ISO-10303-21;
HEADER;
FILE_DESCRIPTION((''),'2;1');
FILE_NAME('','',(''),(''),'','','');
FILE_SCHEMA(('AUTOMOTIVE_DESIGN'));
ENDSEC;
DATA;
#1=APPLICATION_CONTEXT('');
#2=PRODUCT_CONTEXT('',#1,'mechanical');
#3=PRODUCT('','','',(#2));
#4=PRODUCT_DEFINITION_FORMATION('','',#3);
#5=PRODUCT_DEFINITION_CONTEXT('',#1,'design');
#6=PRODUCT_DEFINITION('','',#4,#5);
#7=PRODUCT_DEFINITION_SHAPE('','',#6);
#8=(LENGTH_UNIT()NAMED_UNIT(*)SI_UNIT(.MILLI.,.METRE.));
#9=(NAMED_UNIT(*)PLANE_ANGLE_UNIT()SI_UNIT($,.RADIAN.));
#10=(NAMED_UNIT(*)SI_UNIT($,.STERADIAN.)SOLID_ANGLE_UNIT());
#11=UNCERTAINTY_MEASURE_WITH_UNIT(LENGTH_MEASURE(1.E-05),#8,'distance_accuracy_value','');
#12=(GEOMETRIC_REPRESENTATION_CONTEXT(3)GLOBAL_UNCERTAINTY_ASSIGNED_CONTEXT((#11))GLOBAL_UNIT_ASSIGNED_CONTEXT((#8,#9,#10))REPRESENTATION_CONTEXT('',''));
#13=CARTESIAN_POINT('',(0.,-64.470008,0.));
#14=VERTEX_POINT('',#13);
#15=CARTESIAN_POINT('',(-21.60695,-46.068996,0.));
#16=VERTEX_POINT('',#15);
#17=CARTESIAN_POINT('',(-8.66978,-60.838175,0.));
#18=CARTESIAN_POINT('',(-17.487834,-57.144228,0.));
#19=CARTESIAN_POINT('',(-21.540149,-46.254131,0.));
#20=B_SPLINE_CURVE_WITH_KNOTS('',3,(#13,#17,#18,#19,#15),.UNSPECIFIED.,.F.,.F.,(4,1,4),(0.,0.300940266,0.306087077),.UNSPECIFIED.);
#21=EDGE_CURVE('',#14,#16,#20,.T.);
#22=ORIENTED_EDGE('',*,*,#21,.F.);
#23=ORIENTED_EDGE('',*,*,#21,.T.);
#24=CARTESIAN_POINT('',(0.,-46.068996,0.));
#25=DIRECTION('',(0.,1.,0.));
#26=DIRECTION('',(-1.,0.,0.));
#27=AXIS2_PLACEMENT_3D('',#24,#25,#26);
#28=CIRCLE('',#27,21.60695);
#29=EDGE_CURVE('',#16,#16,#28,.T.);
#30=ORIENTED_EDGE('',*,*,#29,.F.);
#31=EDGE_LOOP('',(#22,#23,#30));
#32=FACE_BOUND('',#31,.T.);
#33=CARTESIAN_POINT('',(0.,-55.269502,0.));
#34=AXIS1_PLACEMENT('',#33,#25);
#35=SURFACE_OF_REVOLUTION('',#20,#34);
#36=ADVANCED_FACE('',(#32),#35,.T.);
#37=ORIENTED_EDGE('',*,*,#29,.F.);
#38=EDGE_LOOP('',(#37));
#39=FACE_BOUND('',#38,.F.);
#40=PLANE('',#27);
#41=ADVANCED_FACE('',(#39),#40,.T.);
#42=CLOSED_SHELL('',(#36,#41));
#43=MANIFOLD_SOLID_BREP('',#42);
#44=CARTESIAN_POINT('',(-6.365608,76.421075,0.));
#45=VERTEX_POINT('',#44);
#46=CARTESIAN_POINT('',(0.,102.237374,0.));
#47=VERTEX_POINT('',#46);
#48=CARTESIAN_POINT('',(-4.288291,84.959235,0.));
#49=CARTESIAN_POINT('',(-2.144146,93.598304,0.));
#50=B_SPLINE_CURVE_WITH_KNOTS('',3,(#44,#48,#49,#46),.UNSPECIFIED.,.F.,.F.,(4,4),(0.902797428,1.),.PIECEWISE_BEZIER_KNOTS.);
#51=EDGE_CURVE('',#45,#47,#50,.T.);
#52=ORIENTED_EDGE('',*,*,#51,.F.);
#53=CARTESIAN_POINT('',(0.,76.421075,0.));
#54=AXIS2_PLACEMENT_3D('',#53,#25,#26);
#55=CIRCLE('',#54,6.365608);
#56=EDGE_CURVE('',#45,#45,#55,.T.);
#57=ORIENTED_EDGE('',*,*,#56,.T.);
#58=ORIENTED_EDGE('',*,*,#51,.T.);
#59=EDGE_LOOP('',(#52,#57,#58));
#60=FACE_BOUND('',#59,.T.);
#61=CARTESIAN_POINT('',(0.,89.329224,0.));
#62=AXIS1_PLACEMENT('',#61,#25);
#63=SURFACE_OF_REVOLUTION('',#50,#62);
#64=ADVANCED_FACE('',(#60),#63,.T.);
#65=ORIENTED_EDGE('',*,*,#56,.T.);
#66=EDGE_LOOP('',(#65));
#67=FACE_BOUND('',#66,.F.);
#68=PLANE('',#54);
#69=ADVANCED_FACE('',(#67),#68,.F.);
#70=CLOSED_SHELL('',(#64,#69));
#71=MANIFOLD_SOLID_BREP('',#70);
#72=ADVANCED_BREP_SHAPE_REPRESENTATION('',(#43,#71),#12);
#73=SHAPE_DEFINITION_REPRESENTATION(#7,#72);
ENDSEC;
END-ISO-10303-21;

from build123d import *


with BuildPart() as f1:
    # F0 (on Top) → F1 (revolve)
    with BuildSketch(Plane.XY):
        with BuildLine():
            add(Edge.make_bspline(
                [(0, -64.4700080156), (-8.6697802181, -60.8381750281), (-17.4878344891, -57.1442282777), (-21.5401485511, -46.2541312756), (-21.6069500926, -46.068996191)],
                knots=[0, 0, 0, 0, 0.300940266, 0.3060870766, 0.3060870766, 0.3060870766, 0.3060870766], degree=3))
            Line((0, -64.4700080156), (0, -46.068996191))
            Line((0, -46.068996191), (-21.6069500926, -46.068996191))
        make_face()
    revolve(axis=Axis((0, -55.2695021033, 0), (0, 1, 0)))


with BuildPart() as f2:
    # F0 (on Top) → F2 (revolve)
    with BuildSketch(Plane.XY):
        with BuildLine():
            Line((-6.3656084016, 76.4210745687), (0, 76.4210745687))
            Line((0, 76.4210745687), (0, 102.2373735905))
            add(Edge.make_bspline(
                [(-6.3656084016, 76.4210745687), (-4.288291044, 84.9592349275), (-2.1441455316, 93.5983042109), (0, 102.2373735905)],
                knots=[0.9027974278, 0.9027974278, 0.9027974278, 0.9027974278, 1, 1, 1, 1], degree=3))
        make_face()
    revolve(axis=Axis((0, 89.3292240796, 0), (0, 1, 0)))


solid = Compound([f1.part, f2.part])
